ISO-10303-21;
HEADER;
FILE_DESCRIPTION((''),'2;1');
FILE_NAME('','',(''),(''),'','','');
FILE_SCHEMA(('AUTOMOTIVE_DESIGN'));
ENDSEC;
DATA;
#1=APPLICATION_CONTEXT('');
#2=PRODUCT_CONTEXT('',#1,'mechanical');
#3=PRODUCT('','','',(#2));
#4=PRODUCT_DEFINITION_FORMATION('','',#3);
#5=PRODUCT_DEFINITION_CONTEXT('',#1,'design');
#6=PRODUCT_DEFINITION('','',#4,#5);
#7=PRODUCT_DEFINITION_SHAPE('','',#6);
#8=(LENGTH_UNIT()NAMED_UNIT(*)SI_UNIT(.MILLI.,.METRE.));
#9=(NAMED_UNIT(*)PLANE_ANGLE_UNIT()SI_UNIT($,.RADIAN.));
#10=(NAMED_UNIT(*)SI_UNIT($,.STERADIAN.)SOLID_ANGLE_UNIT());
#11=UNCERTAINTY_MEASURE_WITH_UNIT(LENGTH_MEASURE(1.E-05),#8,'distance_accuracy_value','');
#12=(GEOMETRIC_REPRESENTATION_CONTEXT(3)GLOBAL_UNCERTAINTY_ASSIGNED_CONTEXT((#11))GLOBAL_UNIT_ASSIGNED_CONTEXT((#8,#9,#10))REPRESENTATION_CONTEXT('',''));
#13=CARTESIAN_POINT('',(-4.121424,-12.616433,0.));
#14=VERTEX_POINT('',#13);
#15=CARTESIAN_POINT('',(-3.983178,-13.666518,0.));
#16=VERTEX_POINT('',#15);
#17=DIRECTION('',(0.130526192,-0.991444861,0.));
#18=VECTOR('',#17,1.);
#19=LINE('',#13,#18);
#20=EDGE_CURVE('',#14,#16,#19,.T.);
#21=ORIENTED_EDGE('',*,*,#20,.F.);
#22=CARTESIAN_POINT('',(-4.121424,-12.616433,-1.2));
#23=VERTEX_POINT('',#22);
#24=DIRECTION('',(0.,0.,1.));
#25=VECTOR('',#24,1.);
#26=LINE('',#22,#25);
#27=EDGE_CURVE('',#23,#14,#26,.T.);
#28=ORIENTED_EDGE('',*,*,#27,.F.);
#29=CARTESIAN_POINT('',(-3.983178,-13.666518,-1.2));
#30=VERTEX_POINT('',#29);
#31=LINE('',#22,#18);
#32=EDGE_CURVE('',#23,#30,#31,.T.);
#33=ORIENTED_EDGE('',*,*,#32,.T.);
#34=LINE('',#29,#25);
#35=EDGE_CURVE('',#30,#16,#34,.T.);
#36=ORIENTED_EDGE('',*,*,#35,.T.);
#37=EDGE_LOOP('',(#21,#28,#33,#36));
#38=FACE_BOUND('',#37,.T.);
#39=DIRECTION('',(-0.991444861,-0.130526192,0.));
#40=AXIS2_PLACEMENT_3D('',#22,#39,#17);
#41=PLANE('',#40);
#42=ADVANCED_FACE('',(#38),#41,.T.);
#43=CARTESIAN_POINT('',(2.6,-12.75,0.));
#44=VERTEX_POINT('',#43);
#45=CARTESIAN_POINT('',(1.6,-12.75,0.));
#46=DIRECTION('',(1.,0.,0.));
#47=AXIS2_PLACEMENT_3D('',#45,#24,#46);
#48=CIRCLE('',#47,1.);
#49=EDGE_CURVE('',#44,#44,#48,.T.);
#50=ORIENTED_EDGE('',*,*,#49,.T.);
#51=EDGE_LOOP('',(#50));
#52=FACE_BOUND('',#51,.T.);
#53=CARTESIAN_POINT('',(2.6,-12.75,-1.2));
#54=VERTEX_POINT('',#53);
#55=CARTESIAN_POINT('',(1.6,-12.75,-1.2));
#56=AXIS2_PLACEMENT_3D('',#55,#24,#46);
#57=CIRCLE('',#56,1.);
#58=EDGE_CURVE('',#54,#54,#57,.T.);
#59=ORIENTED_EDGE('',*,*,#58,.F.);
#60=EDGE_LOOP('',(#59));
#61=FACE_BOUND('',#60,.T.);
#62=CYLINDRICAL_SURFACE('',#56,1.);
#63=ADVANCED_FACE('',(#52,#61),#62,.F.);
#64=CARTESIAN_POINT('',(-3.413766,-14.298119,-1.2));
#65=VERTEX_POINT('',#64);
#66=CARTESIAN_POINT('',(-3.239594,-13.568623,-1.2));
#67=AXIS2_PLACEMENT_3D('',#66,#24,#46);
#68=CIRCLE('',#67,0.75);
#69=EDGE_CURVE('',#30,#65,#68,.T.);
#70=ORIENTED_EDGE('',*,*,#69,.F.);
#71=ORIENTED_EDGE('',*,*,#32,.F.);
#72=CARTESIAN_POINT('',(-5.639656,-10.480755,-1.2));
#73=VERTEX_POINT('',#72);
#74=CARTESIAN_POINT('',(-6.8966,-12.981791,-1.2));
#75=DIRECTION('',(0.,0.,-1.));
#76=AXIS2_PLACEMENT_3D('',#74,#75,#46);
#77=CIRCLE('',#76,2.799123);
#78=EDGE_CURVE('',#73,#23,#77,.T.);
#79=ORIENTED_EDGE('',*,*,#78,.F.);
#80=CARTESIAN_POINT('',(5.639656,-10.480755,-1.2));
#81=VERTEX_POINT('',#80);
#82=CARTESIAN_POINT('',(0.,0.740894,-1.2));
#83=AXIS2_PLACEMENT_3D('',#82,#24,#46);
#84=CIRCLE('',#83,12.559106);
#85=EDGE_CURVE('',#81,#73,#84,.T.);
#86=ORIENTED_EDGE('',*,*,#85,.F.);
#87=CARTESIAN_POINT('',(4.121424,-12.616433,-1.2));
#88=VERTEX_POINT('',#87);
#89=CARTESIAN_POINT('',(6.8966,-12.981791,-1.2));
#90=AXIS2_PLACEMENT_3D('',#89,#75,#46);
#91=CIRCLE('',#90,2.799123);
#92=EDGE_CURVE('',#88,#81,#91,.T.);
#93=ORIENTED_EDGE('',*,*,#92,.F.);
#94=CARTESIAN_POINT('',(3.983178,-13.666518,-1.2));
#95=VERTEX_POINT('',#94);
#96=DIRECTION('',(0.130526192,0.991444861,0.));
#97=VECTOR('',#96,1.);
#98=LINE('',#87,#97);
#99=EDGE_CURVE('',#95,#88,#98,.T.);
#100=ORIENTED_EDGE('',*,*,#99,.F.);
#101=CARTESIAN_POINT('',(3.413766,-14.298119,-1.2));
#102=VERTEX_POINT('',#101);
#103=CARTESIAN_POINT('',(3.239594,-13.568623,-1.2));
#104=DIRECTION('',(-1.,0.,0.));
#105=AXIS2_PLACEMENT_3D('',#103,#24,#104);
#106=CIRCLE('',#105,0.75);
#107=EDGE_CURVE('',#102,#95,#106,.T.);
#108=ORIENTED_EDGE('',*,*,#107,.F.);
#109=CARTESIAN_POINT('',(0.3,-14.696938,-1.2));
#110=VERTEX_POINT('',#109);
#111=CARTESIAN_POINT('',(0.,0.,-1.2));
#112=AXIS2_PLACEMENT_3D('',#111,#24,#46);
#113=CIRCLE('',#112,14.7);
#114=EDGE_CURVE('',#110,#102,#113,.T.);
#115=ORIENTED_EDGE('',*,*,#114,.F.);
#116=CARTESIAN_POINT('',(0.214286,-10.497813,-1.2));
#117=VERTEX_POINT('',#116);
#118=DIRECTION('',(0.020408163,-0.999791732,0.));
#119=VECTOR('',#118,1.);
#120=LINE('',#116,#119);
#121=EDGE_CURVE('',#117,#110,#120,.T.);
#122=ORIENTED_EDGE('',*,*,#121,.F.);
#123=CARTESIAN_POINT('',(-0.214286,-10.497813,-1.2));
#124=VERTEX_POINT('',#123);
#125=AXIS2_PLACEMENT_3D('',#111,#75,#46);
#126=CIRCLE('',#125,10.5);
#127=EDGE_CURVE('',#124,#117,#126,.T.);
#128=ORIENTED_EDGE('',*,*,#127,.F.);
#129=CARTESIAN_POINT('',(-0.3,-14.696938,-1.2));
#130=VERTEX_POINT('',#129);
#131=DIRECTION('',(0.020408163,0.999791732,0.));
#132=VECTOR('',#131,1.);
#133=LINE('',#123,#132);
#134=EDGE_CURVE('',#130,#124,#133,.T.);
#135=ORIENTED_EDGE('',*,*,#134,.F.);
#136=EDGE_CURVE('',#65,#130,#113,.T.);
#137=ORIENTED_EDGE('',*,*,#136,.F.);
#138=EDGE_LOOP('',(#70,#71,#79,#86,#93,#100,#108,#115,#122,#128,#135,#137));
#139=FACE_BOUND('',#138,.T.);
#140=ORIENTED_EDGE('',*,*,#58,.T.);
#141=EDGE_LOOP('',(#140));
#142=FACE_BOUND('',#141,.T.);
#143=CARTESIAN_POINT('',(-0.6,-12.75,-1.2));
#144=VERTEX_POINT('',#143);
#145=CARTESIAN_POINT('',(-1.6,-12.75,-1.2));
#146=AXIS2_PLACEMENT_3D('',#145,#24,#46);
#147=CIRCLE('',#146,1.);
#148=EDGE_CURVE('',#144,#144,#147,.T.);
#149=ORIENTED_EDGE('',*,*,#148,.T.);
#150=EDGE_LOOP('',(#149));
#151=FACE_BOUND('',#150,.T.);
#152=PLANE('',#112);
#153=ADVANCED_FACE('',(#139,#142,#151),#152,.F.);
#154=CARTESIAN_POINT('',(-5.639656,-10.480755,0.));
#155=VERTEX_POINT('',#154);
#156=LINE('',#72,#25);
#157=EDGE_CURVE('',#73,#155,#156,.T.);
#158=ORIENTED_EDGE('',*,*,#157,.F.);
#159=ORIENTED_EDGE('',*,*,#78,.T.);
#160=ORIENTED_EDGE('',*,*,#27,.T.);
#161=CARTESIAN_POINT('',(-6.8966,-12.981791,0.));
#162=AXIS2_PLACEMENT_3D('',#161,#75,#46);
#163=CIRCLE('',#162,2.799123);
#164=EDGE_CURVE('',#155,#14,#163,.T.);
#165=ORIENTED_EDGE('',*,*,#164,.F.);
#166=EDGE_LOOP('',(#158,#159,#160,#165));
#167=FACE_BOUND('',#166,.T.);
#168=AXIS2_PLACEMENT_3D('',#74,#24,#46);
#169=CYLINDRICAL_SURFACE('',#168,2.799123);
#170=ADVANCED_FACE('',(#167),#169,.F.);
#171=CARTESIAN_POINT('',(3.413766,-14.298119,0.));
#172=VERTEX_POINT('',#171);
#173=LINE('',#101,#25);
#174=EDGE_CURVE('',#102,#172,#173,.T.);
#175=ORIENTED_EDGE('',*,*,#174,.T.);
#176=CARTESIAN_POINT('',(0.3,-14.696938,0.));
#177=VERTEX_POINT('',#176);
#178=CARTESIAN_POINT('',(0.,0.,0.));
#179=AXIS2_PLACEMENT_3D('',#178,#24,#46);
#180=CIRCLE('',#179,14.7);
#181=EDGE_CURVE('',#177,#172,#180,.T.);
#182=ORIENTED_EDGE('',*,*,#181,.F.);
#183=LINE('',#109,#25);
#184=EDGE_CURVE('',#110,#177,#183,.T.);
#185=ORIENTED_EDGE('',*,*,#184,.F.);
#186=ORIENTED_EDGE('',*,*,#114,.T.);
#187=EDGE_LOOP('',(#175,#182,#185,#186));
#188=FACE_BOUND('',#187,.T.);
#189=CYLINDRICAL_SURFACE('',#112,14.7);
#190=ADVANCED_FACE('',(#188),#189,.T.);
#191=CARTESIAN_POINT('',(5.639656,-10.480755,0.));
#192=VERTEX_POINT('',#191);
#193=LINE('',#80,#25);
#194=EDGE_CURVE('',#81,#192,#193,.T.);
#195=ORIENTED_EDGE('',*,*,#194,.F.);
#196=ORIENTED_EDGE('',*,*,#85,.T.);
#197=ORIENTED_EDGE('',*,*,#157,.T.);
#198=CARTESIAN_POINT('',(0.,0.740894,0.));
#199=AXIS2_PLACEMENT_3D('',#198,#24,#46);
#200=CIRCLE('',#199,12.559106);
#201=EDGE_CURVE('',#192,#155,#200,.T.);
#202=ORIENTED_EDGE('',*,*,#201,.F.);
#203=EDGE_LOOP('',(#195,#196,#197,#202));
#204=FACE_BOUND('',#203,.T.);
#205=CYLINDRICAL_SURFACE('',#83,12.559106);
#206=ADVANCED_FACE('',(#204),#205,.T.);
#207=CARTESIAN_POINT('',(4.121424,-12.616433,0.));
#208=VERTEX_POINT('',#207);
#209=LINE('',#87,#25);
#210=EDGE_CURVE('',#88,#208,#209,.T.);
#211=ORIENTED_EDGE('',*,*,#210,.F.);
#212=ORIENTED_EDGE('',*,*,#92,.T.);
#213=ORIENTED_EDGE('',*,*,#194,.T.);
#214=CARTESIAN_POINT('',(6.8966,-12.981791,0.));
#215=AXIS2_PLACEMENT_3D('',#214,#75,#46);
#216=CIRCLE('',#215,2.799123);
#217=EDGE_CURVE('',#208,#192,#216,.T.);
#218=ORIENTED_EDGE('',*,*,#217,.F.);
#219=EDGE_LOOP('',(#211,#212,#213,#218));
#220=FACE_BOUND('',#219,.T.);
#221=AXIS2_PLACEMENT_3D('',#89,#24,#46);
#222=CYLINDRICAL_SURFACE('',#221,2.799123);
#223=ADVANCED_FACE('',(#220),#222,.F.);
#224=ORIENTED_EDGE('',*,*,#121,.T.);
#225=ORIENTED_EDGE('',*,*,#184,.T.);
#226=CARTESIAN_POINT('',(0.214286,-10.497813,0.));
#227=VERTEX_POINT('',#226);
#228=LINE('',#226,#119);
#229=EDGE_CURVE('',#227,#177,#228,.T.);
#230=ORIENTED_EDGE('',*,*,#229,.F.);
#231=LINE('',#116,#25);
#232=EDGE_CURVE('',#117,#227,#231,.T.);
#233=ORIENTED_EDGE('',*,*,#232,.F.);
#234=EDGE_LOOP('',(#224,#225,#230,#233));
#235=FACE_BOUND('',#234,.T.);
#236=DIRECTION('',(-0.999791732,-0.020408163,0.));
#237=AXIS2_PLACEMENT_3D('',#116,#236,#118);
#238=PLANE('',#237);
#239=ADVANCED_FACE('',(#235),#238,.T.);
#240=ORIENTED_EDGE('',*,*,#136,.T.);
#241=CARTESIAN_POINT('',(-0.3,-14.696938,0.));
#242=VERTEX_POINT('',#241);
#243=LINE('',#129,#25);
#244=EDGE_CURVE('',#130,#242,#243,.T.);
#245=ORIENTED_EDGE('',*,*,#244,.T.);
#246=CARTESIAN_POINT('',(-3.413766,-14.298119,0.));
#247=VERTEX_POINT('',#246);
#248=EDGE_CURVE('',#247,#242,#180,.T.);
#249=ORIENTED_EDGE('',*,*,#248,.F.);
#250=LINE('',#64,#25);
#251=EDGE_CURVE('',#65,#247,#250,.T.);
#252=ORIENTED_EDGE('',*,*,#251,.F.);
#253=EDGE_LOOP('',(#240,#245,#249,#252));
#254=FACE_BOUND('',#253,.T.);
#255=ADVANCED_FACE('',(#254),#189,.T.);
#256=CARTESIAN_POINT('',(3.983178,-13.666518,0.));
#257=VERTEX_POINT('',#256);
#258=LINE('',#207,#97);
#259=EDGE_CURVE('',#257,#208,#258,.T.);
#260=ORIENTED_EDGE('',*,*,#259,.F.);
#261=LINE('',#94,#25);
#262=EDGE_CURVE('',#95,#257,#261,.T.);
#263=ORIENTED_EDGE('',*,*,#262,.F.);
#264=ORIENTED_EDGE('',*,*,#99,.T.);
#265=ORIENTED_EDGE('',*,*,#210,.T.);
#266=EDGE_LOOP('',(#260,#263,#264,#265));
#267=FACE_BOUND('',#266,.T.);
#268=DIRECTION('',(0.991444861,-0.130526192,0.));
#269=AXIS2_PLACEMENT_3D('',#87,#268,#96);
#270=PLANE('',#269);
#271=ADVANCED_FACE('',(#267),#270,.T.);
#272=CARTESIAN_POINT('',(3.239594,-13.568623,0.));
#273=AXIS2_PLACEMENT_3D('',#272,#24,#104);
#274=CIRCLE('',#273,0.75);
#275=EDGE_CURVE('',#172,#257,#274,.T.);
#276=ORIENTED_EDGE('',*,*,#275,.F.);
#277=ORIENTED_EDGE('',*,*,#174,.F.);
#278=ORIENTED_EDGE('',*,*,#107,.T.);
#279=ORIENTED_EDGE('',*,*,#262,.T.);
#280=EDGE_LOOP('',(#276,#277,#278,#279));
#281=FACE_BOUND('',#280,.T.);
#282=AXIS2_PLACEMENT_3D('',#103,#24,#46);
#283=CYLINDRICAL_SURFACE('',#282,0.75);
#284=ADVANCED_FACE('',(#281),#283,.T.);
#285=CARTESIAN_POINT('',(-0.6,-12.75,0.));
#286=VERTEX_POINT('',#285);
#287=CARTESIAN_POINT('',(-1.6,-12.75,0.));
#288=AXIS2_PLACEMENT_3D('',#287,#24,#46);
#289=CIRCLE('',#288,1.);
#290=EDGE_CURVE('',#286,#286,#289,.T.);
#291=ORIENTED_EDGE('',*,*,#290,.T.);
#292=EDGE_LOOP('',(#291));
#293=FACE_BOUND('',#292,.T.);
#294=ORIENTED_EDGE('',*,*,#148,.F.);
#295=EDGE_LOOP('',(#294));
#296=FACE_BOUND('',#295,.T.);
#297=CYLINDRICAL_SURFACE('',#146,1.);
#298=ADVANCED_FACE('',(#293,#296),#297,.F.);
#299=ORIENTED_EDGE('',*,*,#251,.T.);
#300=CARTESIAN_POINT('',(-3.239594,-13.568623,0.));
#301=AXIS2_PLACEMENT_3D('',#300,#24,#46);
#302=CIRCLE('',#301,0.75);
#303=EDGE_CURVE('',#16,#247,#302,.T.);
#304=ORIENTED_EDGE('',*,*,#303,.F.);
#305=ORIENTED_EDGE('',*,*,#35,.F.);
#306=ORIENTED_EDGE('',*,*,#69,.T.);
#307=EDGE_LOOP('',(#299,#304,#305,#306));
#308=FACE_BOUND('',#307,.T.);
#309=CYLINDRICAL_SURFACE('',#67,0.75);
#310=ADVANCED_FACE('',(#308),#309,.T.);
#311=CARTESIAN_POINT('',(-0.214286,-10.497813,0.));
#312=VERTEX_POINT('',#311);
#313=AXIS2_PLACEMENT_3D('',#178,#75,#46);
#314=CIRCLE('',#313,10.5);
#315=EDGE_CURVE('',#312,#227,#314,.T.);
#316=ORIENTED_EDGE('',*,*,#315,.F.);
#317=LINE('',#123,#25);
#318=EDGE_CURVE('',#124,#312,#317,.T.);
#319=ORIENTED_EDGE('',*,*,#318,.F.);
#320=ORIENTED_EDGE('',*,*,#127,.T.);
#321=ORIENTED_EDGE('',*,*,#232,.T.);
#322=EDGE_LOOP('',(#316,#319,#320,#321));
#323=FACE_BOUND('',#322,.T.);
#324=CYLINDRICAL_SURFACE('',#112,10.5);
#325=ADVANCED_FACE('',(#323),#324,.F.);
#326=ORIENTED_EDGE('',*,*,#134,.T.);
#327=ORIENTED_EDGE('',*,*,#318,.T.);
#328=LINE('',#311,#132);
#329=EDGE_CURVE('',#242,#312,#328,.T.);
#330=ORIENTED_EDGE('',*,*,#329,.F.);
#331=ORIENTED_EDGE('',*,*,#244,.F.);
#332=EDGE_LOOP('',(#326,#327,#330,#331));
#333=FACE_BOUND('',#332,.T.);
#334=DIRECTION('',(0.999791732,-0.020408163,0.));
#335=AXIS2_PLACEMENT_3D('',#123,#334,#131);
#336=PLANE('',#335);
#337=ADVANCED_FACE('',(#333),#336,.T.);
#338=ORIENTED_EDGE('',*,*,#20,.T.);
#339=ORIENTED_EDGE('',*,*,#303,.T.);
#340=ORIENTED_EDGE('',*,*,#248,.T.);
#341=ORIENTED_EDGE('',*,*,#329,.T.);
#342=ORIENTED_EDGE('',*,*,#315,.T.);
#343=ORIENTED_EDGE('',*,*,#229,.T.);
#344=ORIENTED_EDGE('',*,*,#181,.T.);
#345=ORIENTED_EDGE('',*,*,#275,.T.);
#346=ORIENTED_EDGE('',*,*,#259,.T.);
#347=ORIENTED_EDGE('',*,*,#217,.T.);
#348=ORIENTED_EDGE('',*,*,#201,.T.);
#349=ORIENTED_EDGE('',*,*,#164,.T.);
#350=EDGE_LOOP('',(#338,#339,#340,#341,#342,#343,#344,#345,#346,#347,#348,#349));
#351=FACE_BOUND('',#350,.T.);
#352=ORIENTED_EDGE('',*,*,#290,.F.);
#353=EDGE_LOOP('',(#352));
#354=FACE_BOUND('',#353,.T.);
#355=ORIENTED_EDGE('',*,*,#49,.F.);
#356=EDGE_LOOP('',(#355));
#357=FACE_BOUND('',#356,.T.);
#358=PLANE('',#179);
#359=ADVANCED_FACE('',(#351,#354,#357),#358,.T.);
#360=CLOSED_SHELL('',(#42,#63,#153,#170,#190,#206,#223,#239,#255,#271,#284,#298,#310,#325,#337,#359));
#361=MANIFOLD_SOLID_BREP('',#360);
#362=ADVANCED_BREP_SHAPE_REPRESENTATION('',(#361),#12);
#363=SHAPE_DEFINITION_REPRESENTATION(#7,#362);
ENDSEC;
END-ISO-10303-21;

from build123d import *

# Parameters (mm, degrees)
BODYSKE_R  = 1
BODY_DEPTH = 1.2


with BuildPart() as part:
    # BodySke → Body (new body)
    with BuildSketch(Plane.XY):
        with BuildLine():
            Line((0.214285714, -10.497813183), (0.3, -14.696938457))
            ThreePointArc((0.3, -14.696938457), (1.86755937, -14.580885501), (3.413765605, -14.298118911))
            ThreePointArc((3.413765605, -14.298118911), (3.796638548, -14.070819474), (3.983177537, -13.666517692))
            Line((3.983177537, -13.666517692), (4.121423858, -12.616432629))
            ThreePointArc((4.121423858, -12.616432629), (4.615201874, -11.359967763), (5.639656061, -10.480755443))
            ThreePointArc((5.639656061, -10.480755443), (0, 13.3), (-5.639656061, -10.480755443))
            ThreePointArc((-5.639656061, -10.480755443), (-4.615201874, -11.359967763), (-4.121423858, -12.616432629))
            Line((-4.121423858, -12.616432629), (-3.983177537, -13.666517692))
            ThreePointArc((-3.983177537, -13.666517692), (-3.796638548, -14.070819474), (-3.413765605, -14.298118911))
            ThreePointArc((-3.413765605, -14.298118911), (-1.86755937, -14.580885501), (-0.3, -14.696938457))
            Line((-0.3, -14.696938457), (-0.214285714, -10.497813183))
            ThreePointArc((-0.214285714, -10.497813183), (0, 10.5), (0.214285714, -10.497813183))
        make_face()
        with Locations((1.6, -12.75)):
            Circle(BODYSKE_R, mode=Mode.SUBTRACT)
        with Locations((-1.6, -12.75)):
            Circle(BODYSKE_R, mode=Mode.SUBTRACT)
    extrude(amount=-BODY_DEPTH)


solid = part.part
